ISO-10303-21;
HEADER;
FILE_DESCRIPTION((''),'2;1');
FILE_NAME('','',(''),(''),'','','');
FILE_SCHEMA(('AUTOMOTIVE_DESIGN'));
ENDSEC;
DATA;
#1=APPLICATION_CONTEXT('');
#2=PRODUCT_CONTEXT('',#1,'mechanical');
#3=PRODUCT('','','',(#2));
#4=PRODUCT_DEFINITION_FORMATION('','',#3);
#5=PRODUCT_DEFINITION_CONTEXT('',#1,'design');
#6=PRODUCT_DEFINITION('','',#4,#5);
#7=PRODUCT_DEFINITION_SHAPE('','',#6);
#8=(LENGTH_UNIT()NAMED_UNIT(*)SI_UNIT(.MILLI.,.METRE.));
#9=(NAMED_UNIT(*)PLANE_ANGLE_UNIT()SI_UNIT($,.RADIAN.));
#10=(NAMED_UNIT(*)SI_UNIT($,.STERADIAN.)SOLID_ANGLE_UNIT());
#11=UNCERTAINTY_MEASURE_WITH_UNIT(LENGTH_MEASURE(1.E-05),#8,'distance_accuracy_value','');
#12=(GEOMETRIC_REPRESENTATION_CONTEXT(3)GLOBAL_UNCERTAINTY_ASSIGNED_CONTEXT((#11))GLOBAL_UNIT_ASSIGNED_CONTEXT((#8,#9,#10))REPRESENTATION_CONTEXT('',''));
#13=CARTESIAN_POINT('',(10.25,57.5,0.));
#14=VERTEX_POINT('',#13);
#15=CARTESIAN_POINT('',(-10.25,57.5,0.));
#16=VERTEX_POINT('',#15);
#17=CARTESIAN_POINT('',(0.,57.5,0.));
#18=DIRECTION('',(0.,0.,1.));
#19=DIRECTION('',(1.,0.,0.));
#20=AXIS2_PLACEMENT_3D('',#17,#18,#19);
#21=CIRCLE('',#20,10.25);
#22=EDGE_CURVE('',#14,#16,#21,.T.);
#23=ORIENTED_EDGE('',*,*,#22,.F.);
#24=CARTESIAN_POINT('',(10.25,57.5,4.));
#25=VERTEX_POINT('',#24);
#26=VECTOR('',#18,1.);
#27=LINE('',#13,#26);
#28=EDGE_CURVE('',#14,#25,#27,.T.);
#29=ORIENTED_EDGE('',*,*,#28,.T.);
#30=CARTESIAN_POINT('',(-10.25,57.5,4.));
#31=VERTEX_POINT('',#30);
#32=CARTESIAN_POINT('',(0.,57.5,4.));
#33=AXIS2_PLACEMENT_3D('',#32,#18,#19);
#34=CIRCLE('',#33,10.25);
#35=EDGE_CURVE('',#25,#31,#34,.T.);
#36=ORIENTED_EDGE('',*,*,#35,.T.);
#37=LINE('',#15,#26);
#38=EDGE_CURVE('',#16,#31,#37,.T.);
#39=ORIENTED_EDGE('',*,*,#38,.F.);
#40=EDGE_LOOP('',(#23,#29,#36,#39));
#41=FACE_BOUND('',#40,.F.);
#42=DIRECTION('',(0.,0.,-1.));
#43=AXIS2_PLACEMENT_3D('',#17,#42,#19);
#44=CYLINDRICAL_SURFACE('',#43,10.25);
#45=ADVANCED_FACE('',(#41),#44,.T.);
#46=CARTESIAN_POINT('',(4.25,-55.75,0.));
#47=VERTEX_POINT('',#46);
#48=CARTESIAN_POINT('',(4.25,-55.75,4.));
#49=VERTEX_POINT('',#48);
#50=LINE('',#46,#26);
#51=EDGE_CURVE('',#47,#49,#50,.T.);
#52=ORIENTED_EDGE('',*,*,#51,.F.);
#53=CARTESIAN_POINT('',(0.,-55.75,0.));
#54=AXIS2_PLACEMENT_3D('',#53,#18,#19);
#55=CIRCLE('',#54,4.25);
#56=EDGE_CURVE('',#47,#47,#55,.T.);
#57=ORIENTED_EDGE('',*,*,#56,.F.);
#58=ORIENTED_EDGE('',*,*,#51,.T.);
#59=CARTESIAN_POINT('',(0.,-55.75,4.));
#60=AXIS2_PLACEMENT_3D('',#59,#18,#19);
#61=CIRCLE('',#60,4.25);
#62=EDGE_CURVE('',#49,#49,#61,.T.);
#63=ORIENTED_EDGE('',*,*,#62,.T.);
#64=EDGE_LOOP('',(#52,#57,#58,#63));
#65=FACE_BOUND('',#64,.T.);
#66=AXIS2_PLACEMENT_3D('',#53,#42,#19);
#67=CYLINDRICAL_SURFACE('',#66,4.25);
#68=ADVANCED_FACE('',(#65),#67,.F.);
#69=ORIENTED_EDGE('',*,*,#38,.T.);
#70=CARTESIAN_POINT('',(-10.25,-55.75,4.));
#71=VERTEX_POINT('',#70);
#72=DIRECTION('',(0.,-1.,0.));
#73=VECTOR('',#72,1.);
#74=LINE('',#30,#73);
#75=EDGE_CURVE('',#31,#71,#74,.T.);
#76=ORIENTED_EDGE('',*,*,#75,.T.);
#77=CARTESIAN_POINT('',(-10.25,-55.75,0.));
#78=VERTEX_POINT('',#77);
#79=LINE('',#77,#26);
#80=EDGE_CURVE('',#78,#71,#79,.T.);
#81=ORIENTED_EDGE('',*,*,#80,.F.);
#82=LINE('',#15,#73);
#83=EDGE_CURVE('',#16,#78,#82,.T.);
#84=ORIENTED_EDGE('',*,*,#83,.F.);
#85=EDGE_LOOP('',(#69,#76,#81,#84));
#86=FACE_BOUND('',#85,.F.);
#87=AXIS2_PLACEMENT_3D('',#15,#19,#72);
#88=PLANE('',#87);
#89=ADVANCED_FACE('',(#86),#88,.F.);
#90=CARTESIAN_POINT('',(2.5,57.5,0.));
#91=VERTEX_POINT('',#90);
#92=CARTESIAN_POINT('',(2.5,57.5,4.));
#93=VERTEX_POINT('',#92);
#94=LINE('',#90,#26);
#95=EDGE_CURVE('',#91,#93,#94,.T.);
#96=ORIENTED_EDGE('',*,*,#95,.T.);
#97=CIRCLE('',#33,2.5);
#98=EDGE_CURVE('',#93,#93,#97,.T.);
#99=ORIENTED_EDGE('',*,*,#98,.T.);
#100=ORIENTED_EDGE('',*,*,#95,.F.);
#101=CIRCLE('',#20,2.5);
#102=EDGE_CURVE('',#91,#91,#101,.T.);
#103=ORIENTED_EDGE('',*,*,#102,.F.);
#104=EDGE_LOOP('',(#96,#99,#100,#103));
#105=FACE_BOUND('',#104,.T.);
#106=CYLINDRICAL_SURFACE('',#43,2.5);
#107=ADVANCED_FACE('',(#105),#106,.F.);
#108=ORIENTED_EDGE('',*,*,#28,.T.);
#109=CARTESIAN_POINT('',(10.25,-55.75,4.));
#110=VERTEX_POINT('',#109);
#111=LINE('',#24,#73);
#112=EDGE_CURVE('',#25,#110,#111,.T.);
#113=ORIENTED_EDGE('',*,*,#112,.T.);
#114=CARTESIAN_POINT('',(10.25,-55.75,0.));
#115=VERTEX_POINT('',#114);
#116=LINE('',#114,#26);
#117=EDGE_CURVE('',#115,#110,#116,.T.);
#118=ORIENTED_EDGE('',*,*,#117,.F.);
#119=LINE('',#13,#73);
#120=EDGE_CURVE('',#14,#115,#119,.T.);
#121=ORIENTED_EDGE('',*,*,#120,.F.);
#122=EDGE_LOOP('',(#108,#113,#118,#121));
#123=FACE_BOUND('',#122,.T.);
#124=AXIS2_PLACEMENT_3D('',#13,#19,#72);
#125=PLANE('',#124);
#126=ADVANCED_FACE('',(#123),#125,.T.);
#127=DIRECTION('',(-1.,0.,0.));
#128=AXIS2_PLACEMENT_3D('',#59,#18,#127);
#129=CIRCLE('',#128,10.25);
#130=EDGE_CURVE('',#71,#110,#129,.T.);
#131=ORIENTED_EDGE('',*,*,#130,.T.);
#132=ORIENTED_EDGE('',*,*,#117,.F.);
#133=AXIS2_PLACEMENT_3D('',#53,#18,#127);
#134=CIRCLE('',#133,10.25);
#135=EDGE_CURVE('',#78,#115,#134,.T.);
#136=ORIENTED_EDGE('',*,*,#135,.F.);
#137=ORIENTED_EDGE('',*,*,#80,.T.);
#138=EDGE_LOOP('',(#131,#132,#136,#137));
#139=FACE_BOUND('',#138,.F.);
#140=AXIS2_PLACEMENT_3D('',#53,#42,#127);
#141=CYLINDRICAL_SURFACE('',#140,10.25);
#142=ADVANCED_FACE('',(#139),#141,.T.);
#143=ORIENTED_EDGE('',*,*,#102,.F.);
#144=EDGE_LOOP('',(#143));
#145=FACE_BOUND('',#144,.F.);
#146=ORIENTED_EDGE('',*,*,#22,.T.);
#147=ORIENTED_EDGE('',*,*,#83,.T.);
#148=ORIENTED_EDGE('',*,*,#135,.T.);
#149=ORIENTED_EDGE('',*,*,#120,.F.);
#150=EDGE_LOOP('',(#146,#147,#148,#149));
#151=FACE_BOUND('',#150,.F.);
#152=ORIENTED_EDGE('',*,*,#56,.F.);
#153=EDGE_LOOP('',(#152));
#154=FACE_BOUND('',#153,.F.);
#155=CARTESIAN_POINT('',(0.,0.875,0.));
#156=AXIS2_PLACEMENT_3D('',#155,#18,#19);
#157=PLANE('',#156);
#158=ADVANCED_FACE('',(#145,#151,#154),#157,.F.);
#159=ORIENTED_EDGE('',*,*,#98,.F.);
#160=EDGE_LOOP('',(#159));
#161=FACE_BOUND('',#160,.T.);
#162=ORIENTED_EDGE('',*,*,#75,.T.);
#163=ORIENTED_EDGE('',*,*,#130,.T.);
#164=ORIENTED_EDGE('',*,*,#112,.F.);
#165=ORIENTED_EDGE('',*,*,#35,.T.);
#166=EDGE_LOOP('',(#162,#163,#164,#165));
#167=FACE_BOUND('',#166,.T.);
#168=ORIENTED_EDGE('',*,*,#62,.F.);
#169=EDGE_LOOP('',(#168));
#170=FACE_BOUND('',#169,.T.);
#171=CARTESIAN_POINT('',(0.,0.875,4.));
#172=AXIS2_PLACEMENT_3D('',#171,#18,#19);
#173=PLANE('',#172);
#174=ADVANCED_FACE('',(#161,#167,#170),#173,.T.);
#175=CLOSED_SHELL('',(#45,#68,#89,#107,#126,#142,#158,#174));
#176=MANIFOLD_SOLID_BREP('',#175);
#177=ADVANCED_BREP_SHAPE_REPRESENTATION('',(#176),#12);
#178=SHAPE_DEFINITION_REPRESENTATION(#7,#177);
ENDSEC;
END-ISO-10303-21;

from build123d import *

# Parameters (mm, degrees)
SKETCH_R   = 2.5
SKETCH_R_2 = 4.25
PAD_DEPTH  = 4


with BuildPart() as part:
    # Sketch → Pad (new body)
    with BuildSketch(Plane.XY):
        with BuildLine():
            ThreePointArc((10.25, 57.5), (0, 67.75), (-10.25, 57.5))
            Line((-10.25, 57.5), (-10.25, -55.75))
            ThreePointArc((-10.25, -55.75), (0, -66), (10.25, -55.75))
            Line((10.25, 57.5), (10.25, -55.75))
        make_face()
        with Locations((0, 57.5)):
            Circle(SKETCH_R, mode=Mode.SUBTRACT)
        with Locations((0, -55.75)):
            Circle(SKETCH_R_2, mode=Mode.SUBTRACT)
    extrude(amount=PAD_DEPTH)


solid = part.part
